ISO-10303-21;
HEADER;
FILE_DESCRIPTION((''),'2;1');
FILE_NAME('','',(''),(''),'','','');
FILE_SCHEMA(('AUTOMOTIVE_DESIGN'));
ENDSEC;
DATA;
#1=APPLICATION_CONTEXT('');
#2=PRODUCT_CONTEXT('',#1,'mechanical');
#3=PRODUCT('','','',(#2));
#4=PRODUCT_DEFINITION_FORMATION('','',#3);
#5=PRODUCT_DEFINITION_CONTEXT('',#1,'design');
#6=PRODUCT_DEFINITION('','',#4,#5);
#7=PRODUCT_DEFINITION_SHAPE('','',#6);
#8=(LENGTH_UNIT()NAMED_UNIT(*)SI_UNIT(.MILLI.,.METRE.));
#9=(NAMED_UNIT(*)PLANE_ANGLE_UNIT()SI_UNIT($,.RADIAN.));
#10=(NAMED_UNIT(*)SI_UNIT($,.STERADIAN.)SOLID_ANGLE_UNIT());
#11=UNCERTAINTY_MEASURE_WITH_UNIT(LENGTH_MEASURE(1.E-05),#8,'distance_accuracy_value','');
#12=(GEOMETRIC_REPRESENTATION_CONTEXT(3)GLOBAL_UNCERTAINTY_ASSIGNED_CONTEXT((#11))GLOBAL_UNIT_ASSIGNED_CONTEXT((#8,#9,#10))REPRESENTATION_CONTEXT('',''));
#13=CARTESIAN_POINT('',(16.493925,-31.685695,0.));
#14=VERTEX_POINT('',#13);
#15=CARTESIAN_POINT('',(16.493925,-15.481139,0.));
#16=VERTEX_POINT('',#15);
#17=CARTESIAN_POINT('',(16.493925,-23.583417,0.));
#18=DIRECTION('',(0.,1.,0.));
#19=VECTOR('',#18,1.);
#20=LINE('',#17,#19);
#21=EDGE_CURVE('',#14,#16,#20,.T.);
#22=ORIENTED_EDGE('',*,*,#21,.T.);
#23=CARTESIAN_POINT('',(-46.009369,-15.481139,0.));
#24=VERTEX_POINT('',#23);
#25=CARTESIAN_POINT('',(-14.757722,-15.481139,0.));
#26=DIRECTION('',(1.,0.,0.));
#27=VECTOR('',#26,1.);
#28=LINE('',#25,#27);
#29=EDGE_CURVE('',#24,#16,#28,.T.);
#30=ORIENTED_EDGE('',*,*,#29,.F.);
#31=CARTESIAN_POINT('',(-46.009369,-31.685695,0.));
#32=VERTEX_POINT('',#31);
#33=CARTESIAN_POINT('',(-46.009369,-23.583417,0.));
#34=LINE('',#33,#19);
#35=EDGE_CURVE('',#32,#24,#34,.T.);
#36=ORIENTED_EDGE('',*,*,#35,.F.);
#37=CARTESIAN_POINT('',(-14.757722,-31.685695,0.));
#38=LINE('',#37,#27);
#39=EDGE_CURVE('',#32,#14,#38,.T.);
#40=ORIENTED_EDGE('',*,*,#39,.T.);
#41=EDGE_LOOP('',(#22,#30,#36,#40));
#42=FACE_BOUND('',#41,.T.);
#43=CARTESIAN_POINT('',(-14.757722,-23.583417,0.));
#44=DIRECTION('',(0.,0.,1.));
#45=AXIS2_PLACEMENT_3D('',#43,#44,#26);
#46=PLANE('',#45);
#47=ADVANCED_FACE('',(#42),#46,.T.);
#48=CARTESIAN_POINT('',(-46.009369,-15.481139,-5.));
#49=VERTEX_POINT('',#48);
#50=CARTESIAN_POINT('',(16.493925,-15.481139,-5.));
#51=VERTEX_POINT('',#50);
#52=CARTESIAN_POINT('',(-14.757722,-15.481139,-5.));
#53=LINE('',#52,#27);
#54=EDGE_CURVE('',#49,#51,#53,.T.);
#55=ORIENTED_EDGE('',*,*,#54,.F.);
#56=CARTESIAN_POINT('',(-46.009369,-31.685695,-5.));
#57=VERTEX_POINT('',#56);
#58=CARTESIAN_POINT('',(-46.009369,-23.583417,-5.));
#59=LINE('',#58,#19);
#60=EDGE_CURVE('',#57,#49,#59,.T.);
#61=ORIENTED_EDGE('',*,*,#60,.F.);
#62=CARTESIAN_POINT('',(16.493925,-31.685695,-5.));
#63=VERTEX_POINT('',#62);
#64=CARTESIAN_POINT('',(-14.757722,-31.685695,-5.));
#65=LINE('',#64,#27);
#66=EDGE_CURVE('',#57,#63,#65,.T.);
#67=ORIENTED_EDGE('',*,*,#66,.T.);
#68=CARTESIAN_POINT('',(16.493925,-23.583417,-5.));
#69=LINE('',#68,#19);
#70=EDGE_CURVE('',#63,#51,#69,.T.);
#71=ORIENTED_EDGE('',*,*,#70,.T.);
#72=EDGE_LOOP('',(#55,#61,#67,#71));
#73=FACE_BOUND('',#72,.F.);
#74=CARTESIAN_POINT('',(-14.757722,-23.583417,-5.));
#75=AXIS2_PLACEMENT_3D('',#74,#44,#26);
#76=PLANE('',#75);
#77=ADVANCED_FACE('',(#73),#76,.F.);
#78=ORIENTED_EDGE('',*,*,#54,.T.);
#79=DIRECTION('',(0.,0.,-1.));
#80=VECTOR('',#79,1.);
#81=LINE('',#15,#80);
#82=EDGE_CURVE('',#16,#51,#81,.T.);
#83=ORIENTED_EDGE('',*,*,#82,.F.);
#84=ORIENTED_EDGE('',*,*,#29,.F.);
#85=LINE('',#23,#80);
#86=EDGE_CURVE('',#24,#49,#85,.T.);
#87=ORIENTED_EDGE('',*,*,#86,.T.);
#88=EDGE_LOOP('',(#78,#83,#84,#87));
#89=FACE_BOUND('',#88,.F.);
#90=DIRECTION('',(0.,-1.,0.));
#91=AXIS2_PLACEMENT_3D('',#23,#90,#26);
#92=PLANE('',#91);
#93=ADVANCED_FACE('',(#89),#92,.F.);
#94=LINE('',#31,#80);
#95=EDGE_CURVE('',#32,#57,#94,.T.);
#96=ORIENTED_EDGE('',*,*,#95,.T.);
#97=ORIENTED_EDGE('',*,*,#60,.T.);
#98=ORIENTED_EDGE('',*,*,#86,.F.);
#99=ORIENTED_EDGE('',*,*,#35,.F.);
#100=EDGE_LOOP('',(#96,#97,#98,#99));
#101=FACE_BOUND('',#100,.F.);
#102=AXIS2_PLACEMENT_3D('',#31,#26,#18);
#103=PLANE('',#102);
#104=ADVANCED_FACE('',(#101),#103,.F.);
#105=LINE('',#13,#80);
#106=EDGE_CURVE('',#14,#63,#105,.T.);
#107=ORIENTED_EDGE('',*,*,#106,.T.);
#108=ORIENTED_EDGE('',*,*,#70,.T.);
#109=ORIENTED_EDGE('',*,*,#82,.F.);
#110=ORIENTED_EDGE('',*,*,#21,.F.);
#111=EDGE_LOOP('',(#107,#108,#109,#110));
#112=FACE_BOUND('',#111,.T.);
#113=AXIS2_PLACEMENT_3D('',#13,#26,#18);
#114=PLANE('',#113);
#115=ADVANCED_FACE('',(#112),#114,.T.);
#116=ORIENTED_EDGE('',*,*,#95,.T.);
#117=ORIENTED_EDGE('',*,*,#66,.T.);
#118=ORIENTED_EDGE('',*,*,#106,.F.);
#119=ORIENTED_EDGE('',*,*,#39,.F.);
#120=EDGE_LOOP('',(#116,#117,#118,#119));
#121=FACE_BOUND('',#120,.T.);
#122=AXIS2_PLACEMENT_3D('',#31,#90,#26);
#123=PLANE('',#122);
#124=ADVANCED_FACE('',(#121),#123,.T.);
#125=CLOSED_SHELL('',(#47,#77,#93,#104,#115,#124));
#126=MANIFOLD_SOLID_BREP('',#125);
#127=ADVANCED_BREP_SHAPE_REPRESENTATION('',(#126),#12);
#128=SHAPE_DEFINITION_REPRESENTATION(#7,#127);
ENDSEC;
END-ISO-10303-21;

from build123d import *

# Parameters (mm, degrees)
F0_W     = 62.503295
F0_H     = 16.204555
F1_DEPTH = 5


with BuildPart() as f1:
    # F0 (on Top) → F1 (new body)
    with BuildSketch(Plane.XY):
        with Locations((-14.757722, -23.583417)):
            Rectangle(F0_W, F0_H)
    extrude(amount=-F1_DEPTH)


solid = f1.part
